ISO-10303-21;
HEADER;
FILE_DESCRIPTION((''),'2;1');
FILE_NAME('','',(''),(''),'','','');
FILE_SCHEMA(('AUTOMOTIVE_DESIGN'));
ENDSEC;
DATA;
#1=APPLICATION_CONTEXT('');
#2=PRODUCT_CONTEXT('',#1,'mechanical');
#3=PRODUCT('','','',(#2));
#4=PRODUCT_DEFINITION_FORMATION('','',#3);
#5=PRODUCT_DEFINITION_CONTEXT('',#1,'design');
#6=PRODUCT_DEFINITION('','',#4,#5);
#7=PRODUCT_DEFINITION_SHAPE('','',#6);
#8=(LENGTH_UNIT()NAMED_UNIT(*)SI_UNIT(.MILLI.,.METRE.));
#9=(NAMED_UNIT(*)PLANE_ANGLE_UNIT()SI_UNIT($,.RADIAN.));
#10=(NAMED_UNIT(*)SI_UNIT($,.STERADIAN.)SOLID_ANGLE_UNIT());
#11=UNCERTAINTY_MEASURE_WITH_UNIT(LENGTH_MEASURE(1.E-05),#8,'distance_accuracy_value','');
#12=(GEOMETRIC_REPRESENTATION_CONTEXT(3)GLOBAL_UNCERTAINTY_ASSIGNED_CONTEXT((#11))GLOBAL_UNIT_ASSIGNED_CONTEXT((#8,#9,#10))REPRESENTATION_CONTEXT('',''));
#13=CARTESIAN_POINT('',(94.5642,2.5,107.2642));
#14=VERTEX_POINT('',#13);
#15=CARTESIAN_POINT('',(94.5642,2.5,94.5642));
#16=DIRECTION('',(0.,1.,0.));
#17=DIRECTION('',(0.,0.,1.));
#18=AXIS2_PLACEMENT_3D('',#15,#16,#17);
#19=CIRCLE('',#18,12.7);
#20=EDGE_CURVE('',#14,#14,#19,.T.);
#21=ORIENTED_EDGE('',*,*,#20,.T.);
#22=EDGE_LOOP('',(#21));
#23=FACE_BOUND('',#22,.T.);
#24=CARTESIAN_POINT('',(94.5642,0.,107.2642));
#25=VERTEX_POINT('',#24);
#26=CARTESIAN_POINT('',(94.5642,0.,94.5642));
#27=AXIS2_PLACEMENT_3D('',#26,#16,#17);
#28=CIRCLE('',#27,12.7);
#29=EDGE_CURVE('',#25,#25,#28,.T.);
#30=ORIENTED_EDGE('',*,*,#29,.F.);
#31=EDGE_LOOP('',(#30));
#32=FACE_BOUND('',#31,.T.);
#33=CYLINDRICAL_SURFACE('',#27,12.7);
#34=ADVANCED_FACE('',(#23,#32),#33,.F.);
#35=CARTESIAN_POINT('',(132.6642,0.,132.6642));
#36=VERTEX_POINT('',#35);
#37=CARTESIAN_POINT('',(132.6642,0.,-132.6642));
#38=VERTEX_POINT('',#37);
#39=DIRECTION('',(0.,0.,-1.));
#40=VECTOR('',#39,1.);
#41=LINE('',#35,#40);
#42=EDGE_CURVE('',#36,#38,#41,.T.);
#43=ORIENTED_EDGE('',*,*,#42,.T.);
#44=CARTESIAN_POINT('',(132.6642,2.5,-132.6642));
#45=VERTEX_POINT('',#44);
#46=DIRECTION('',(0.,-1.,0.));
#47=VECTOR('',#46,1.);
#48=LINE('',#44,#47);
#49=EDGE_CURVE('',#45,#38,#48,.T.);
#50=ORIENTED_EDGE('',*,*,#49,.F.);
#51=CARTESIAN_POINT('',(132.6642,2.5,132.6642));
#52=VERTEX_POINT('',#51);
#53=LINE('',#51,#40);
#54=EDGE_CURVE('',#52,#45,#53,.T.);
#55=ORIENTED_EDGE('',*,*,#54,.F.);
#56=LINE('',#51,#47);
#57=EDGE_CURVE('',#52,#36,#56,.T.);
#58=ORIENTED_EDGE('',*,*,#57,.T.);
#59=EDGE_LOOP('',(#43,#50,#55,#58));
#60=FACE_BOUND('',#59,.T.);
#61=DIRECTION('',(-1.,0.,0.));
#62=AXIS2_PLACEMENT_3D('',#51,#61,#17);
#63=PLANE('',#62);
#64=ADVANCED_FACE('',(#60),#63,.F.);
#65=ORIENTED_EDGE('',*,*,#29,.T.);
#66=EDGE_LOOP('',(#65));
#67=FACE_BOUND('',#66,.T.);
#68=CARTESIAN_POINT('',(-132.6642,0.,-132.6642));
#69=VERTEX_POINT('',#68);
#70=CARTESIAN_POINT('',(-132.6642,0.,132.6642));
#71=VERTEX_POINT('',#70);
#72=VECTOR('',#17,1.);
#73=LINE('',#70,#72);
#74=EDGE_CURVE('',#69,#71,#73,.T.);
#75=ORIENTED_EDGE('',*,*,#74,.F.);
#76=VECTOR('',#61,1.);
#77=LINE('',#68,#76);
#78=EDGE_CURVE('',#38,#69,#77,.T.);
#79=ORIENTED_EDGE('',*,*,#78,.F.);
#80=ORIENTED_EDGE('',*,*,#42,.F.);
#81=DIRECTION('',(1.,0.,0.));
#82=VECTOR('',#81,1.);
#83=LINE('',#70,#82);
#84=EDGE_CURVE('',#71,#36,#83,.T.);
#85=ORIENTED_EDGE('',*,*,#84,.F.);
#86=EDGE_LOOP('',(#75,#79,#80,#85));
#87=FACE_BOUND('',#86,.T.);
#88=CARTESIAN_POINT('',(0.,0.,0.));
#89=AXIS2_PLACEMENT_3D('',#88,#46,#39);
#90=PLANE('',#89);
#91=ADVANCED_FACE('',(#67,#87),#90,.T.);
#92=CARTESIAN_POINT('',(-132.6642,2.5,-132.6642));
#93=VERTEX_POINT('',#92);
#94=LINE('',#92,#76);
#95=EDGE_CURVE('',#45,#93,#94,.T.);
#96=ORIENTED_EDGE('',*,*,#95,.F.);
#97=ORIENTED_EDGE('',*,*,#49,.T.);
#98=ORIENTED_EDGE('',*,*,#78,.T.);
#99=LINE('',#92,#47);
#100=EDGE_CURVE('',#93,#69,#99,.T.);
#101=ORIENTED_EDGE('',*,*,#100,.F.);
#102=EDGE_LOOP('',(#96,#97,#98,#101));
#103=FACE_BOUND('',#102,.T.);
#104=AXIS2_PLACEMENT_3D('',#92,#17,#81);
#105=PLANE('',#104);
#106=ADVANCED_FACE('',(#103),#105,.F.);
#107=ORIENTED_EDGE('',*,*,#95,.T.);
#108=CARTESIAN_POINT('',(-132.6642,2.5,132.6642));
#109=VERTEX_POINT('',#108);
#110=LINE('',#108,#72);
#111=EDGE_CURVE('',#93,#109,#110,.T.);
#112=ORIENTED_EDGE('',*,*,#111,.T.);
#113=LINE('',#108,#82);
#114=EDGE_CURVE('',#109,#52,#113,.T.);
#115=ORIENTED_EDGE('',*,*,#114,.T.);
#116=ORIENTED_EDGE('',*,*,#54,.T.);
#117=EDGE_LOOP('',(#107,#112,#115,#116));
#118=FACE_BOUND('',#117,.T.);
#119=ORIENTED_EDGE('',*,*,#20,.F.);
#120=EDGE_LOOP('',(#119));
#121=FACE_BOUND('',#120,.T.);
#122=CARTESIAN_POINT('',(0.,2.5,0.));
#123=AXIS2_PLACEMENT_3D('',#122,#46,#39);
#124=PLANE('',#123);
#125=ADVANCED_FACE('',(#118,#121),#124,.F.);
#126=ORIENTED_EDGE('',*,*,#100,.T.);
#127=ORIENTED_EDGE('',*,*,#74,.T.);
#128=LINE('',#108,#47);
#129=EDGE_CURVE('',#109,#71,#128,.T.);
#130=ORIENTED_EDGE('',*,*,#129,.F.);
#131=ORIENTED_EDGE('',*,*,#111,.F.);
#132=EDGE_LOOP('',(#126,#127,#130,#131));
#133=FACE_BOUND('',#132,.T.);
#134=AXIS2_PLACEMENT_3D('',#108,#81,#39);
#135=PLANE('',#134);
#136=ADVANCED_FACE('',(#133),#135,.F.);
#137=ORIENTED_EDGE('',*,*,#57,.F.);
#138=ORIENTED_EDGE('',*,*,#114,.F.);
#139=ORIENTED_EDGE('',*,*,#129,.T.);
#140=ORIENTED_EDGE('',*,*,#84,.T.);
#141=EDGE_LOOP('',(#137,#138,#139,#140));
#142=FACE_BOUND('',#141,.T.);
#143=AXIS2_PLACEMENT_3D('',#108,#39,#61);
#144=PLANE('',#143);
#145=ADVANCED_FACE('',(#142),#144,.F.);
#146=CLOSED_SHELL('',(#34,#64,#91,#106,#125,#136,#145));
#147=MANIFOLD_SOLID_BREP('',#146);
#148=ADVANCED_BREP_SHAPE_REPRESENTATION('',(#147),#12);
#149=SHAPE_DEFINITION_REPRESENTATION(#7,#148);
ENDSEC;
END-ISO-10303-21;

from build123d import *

# Parameters (mm, degrees)
SKETCH1_W           = 265.3284
SKETCH1_H           = 265.3284
BOSS_EXTRUDE1_DEPTH = 2.5
SKETCH2_R           = 12.7
CUT_EXTRUDE1_DEPTH  = 3.5


with BuildPart() as part:
    # Sketch1 → Boss-Extrude1 (new body)
    with BuildSketch(Plane(origin=(0, 0, 0), x_dir=(1, 0, 0), z_dir=(0, 1, 0))):
        Rectangle(SKETCH1_W, SKETCH1_H)
    extrude(amount=BOSS_EXTRUDE1_DEPTH)

    # Sketch2 → Cut-Extrude1 (cut, through all)
    with BuildSketch(Plane(origin=(0, 2.5, 0), x_dir=(1, 0, 0), z_dir=(0, 1, 0))):
        with Locations((94.5642, -94.5642)):
            Circle(SKETCH2_R)
    extrude(amount=-CUT_EXTRUDE1_DEPTH, mode=Mode.SUBTRACT)


solid = part.part
